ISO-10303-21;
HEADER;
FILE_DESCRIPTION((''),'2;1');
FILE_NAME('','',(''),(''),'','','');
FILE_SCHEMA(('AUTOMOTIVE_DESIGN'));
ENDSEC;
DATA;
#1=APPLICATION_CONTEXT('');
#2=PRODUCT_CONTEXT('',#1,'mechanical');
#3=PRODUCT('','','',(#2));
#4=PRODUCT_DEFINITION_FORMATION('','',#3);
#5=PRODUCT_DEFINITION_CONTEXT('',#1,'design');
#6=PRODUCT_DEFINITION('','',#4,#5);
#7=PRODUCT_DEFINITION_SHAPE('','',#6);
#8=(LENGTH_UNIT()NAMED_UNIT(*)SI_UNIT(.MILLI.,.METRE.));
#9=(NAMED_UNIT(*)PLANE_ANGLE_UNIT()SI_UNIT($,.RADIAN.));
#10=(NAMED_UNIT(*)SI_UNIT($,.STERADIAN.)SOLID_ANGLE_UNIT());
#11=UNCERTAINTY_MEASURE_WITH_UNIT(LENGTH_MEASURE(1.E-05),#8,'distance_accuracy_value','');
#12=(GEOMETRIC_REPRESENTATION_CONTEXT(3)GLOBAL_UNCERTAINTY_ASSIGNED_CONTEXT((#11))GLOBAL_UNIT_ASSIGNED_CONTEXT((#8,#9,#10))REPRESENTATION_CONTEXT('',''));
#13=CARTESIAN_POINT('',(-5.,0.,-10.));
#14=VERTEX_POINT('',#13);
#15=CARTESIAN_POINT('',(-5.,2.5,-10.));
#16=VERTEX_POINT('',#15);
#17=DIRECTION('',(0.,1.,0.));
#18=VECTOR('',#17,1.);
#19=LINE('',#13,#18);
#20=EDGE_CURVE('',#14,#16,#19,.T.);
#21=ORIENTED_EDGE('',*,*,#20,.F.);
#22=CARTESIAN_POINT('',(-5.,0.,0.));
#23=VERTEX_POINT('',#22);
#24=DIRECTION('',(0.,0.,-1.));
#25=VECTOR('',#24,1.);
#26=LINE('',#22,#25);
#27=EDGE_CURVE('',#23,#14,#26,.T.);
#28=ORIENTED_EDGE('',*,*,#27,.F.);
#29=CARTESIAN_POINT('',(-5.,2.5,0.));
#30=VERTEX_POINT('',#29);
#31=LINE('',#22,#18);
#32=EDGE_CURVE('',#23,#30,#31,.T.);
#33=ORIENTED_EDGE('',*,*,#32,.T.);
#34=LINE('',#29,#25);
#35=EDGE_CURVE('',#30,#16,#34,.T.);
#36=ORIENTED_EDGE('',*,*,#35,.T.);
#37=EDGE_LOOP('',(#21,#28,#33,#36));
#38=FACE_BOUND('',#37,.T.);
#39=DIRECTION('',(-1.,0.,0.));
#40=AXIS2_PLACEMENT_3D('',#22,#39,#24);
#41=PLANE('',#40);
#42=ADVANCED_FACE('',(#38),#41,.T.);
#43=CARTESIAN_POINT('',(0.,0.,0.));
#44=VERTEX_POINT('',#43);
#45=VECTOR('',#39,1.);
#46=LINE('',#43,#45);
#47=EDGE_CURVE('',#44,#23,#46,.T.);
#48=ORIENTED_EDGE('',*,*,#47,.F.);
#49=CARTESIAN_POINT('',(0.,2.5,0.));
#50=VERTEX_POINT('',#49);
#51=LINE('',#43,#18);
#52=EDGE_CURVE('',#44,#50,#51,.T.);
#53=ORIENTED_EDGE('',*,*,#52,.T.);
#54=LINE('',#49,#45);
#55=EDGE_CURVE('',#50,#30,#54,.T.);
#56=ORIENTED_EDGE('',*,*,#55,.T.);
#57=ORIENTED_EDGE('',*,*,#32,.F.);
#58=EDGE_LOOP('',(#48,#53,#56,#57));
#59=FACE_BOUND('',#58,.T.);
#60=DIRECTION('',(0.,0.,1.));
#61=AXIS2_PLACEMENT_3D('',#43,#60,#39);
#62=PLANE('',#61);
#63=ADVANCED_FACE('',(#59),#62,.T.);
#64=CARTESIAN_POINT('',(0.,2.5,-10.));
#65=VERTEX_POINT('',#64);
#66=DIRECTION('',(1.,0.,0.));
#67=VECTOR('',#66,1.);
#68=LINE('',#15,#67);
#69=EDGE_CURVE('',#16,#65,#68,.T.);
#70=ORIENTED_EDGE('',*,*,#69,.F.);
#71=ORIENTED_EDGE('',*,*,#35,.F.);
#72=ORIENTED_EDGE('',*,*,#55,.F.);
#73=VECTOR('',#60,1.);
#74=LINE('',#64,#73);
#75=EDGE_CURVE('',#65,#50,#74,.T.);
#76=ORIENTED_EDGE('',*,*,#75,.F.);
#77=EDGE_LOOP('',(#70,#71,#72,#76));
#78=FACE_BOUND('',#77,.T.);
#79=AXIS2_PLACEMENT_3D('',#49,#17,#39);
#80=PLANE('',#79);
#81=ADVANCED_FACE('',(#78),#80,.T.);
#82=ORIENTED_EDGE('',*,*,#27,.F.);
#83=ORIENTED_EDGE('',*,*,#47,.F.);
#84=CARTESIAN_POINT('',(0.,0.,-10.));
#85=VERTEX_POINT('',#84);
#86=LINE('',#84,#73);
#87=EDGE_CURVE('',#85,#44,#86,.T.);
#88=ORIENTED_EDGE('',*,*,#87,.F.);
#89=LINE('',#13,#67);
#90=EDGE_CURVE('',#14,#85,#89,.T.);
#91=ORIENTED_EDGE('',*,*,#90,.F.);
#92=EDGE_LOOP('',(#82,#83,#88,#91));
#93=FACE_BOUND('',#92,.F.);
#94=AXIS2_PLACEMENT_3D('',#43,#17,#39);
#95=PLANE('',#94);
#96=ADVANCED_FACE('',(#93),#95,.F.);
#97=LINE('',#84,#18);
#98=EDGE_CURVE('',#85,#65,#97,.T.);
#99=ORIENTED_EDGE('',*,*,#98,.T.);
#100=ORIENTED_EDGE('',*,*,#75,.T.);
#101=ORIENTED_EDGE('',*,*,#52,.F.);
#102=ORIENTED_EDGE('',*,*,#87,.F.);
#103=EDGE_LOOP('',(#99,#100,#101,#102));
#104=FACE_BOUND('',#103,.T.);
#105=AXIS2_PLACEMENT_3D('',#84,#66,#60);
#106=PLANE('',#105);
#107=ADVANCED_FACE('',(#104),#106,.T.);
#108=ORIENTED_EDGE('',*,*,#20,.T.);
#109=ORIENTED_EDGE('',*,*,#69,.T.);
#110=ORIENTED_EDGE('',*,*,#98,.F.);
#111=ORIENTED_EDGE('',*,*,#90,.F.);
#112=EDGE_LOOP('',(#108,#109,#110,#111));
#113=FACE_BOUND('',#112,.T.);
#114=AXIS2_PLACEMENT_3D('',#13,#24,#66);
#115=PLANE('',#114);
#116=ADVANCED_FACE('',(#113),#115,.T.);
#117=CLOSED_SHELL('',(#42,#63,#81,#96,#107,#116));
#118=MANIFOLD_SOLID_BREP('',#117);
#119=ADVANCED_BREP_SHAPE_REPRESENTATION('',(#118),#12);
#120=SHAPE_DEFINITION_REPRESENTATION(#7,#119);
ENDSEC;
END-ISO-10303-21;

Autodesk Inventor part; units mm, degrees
ref_plane "YZ Plane" through (0, 0, 0) normal (1, 0, 0) x (0, 1, 0)
ref_plane "XZ Plane" through (0, 0, 0) normal (0, 1, 0) x (-1, 0, 0)
ref_plane "XY Plane" through (0, 0, 0) normal (0, 0, 1) x (1, 0, 0)
sketch "スケッチ1" plane through (0, 0, 0) normal (0, 1, 0) x (-1, 0, 0)
  line L0 (0, 0) -> (5, 0)
  line L1 (5, 0) -> (5, -10)
  line L2 (5, -10) -> (0, -10)
  line L3 (0, -10) -> (0, 0)
  dimension "d0" = 5
  dimension "d1" = 10
extrude "押し出し1" add sketch "スケッチ1" along normal blind 2.5
properties part number "tab" material "木材 (カエデ材)"
